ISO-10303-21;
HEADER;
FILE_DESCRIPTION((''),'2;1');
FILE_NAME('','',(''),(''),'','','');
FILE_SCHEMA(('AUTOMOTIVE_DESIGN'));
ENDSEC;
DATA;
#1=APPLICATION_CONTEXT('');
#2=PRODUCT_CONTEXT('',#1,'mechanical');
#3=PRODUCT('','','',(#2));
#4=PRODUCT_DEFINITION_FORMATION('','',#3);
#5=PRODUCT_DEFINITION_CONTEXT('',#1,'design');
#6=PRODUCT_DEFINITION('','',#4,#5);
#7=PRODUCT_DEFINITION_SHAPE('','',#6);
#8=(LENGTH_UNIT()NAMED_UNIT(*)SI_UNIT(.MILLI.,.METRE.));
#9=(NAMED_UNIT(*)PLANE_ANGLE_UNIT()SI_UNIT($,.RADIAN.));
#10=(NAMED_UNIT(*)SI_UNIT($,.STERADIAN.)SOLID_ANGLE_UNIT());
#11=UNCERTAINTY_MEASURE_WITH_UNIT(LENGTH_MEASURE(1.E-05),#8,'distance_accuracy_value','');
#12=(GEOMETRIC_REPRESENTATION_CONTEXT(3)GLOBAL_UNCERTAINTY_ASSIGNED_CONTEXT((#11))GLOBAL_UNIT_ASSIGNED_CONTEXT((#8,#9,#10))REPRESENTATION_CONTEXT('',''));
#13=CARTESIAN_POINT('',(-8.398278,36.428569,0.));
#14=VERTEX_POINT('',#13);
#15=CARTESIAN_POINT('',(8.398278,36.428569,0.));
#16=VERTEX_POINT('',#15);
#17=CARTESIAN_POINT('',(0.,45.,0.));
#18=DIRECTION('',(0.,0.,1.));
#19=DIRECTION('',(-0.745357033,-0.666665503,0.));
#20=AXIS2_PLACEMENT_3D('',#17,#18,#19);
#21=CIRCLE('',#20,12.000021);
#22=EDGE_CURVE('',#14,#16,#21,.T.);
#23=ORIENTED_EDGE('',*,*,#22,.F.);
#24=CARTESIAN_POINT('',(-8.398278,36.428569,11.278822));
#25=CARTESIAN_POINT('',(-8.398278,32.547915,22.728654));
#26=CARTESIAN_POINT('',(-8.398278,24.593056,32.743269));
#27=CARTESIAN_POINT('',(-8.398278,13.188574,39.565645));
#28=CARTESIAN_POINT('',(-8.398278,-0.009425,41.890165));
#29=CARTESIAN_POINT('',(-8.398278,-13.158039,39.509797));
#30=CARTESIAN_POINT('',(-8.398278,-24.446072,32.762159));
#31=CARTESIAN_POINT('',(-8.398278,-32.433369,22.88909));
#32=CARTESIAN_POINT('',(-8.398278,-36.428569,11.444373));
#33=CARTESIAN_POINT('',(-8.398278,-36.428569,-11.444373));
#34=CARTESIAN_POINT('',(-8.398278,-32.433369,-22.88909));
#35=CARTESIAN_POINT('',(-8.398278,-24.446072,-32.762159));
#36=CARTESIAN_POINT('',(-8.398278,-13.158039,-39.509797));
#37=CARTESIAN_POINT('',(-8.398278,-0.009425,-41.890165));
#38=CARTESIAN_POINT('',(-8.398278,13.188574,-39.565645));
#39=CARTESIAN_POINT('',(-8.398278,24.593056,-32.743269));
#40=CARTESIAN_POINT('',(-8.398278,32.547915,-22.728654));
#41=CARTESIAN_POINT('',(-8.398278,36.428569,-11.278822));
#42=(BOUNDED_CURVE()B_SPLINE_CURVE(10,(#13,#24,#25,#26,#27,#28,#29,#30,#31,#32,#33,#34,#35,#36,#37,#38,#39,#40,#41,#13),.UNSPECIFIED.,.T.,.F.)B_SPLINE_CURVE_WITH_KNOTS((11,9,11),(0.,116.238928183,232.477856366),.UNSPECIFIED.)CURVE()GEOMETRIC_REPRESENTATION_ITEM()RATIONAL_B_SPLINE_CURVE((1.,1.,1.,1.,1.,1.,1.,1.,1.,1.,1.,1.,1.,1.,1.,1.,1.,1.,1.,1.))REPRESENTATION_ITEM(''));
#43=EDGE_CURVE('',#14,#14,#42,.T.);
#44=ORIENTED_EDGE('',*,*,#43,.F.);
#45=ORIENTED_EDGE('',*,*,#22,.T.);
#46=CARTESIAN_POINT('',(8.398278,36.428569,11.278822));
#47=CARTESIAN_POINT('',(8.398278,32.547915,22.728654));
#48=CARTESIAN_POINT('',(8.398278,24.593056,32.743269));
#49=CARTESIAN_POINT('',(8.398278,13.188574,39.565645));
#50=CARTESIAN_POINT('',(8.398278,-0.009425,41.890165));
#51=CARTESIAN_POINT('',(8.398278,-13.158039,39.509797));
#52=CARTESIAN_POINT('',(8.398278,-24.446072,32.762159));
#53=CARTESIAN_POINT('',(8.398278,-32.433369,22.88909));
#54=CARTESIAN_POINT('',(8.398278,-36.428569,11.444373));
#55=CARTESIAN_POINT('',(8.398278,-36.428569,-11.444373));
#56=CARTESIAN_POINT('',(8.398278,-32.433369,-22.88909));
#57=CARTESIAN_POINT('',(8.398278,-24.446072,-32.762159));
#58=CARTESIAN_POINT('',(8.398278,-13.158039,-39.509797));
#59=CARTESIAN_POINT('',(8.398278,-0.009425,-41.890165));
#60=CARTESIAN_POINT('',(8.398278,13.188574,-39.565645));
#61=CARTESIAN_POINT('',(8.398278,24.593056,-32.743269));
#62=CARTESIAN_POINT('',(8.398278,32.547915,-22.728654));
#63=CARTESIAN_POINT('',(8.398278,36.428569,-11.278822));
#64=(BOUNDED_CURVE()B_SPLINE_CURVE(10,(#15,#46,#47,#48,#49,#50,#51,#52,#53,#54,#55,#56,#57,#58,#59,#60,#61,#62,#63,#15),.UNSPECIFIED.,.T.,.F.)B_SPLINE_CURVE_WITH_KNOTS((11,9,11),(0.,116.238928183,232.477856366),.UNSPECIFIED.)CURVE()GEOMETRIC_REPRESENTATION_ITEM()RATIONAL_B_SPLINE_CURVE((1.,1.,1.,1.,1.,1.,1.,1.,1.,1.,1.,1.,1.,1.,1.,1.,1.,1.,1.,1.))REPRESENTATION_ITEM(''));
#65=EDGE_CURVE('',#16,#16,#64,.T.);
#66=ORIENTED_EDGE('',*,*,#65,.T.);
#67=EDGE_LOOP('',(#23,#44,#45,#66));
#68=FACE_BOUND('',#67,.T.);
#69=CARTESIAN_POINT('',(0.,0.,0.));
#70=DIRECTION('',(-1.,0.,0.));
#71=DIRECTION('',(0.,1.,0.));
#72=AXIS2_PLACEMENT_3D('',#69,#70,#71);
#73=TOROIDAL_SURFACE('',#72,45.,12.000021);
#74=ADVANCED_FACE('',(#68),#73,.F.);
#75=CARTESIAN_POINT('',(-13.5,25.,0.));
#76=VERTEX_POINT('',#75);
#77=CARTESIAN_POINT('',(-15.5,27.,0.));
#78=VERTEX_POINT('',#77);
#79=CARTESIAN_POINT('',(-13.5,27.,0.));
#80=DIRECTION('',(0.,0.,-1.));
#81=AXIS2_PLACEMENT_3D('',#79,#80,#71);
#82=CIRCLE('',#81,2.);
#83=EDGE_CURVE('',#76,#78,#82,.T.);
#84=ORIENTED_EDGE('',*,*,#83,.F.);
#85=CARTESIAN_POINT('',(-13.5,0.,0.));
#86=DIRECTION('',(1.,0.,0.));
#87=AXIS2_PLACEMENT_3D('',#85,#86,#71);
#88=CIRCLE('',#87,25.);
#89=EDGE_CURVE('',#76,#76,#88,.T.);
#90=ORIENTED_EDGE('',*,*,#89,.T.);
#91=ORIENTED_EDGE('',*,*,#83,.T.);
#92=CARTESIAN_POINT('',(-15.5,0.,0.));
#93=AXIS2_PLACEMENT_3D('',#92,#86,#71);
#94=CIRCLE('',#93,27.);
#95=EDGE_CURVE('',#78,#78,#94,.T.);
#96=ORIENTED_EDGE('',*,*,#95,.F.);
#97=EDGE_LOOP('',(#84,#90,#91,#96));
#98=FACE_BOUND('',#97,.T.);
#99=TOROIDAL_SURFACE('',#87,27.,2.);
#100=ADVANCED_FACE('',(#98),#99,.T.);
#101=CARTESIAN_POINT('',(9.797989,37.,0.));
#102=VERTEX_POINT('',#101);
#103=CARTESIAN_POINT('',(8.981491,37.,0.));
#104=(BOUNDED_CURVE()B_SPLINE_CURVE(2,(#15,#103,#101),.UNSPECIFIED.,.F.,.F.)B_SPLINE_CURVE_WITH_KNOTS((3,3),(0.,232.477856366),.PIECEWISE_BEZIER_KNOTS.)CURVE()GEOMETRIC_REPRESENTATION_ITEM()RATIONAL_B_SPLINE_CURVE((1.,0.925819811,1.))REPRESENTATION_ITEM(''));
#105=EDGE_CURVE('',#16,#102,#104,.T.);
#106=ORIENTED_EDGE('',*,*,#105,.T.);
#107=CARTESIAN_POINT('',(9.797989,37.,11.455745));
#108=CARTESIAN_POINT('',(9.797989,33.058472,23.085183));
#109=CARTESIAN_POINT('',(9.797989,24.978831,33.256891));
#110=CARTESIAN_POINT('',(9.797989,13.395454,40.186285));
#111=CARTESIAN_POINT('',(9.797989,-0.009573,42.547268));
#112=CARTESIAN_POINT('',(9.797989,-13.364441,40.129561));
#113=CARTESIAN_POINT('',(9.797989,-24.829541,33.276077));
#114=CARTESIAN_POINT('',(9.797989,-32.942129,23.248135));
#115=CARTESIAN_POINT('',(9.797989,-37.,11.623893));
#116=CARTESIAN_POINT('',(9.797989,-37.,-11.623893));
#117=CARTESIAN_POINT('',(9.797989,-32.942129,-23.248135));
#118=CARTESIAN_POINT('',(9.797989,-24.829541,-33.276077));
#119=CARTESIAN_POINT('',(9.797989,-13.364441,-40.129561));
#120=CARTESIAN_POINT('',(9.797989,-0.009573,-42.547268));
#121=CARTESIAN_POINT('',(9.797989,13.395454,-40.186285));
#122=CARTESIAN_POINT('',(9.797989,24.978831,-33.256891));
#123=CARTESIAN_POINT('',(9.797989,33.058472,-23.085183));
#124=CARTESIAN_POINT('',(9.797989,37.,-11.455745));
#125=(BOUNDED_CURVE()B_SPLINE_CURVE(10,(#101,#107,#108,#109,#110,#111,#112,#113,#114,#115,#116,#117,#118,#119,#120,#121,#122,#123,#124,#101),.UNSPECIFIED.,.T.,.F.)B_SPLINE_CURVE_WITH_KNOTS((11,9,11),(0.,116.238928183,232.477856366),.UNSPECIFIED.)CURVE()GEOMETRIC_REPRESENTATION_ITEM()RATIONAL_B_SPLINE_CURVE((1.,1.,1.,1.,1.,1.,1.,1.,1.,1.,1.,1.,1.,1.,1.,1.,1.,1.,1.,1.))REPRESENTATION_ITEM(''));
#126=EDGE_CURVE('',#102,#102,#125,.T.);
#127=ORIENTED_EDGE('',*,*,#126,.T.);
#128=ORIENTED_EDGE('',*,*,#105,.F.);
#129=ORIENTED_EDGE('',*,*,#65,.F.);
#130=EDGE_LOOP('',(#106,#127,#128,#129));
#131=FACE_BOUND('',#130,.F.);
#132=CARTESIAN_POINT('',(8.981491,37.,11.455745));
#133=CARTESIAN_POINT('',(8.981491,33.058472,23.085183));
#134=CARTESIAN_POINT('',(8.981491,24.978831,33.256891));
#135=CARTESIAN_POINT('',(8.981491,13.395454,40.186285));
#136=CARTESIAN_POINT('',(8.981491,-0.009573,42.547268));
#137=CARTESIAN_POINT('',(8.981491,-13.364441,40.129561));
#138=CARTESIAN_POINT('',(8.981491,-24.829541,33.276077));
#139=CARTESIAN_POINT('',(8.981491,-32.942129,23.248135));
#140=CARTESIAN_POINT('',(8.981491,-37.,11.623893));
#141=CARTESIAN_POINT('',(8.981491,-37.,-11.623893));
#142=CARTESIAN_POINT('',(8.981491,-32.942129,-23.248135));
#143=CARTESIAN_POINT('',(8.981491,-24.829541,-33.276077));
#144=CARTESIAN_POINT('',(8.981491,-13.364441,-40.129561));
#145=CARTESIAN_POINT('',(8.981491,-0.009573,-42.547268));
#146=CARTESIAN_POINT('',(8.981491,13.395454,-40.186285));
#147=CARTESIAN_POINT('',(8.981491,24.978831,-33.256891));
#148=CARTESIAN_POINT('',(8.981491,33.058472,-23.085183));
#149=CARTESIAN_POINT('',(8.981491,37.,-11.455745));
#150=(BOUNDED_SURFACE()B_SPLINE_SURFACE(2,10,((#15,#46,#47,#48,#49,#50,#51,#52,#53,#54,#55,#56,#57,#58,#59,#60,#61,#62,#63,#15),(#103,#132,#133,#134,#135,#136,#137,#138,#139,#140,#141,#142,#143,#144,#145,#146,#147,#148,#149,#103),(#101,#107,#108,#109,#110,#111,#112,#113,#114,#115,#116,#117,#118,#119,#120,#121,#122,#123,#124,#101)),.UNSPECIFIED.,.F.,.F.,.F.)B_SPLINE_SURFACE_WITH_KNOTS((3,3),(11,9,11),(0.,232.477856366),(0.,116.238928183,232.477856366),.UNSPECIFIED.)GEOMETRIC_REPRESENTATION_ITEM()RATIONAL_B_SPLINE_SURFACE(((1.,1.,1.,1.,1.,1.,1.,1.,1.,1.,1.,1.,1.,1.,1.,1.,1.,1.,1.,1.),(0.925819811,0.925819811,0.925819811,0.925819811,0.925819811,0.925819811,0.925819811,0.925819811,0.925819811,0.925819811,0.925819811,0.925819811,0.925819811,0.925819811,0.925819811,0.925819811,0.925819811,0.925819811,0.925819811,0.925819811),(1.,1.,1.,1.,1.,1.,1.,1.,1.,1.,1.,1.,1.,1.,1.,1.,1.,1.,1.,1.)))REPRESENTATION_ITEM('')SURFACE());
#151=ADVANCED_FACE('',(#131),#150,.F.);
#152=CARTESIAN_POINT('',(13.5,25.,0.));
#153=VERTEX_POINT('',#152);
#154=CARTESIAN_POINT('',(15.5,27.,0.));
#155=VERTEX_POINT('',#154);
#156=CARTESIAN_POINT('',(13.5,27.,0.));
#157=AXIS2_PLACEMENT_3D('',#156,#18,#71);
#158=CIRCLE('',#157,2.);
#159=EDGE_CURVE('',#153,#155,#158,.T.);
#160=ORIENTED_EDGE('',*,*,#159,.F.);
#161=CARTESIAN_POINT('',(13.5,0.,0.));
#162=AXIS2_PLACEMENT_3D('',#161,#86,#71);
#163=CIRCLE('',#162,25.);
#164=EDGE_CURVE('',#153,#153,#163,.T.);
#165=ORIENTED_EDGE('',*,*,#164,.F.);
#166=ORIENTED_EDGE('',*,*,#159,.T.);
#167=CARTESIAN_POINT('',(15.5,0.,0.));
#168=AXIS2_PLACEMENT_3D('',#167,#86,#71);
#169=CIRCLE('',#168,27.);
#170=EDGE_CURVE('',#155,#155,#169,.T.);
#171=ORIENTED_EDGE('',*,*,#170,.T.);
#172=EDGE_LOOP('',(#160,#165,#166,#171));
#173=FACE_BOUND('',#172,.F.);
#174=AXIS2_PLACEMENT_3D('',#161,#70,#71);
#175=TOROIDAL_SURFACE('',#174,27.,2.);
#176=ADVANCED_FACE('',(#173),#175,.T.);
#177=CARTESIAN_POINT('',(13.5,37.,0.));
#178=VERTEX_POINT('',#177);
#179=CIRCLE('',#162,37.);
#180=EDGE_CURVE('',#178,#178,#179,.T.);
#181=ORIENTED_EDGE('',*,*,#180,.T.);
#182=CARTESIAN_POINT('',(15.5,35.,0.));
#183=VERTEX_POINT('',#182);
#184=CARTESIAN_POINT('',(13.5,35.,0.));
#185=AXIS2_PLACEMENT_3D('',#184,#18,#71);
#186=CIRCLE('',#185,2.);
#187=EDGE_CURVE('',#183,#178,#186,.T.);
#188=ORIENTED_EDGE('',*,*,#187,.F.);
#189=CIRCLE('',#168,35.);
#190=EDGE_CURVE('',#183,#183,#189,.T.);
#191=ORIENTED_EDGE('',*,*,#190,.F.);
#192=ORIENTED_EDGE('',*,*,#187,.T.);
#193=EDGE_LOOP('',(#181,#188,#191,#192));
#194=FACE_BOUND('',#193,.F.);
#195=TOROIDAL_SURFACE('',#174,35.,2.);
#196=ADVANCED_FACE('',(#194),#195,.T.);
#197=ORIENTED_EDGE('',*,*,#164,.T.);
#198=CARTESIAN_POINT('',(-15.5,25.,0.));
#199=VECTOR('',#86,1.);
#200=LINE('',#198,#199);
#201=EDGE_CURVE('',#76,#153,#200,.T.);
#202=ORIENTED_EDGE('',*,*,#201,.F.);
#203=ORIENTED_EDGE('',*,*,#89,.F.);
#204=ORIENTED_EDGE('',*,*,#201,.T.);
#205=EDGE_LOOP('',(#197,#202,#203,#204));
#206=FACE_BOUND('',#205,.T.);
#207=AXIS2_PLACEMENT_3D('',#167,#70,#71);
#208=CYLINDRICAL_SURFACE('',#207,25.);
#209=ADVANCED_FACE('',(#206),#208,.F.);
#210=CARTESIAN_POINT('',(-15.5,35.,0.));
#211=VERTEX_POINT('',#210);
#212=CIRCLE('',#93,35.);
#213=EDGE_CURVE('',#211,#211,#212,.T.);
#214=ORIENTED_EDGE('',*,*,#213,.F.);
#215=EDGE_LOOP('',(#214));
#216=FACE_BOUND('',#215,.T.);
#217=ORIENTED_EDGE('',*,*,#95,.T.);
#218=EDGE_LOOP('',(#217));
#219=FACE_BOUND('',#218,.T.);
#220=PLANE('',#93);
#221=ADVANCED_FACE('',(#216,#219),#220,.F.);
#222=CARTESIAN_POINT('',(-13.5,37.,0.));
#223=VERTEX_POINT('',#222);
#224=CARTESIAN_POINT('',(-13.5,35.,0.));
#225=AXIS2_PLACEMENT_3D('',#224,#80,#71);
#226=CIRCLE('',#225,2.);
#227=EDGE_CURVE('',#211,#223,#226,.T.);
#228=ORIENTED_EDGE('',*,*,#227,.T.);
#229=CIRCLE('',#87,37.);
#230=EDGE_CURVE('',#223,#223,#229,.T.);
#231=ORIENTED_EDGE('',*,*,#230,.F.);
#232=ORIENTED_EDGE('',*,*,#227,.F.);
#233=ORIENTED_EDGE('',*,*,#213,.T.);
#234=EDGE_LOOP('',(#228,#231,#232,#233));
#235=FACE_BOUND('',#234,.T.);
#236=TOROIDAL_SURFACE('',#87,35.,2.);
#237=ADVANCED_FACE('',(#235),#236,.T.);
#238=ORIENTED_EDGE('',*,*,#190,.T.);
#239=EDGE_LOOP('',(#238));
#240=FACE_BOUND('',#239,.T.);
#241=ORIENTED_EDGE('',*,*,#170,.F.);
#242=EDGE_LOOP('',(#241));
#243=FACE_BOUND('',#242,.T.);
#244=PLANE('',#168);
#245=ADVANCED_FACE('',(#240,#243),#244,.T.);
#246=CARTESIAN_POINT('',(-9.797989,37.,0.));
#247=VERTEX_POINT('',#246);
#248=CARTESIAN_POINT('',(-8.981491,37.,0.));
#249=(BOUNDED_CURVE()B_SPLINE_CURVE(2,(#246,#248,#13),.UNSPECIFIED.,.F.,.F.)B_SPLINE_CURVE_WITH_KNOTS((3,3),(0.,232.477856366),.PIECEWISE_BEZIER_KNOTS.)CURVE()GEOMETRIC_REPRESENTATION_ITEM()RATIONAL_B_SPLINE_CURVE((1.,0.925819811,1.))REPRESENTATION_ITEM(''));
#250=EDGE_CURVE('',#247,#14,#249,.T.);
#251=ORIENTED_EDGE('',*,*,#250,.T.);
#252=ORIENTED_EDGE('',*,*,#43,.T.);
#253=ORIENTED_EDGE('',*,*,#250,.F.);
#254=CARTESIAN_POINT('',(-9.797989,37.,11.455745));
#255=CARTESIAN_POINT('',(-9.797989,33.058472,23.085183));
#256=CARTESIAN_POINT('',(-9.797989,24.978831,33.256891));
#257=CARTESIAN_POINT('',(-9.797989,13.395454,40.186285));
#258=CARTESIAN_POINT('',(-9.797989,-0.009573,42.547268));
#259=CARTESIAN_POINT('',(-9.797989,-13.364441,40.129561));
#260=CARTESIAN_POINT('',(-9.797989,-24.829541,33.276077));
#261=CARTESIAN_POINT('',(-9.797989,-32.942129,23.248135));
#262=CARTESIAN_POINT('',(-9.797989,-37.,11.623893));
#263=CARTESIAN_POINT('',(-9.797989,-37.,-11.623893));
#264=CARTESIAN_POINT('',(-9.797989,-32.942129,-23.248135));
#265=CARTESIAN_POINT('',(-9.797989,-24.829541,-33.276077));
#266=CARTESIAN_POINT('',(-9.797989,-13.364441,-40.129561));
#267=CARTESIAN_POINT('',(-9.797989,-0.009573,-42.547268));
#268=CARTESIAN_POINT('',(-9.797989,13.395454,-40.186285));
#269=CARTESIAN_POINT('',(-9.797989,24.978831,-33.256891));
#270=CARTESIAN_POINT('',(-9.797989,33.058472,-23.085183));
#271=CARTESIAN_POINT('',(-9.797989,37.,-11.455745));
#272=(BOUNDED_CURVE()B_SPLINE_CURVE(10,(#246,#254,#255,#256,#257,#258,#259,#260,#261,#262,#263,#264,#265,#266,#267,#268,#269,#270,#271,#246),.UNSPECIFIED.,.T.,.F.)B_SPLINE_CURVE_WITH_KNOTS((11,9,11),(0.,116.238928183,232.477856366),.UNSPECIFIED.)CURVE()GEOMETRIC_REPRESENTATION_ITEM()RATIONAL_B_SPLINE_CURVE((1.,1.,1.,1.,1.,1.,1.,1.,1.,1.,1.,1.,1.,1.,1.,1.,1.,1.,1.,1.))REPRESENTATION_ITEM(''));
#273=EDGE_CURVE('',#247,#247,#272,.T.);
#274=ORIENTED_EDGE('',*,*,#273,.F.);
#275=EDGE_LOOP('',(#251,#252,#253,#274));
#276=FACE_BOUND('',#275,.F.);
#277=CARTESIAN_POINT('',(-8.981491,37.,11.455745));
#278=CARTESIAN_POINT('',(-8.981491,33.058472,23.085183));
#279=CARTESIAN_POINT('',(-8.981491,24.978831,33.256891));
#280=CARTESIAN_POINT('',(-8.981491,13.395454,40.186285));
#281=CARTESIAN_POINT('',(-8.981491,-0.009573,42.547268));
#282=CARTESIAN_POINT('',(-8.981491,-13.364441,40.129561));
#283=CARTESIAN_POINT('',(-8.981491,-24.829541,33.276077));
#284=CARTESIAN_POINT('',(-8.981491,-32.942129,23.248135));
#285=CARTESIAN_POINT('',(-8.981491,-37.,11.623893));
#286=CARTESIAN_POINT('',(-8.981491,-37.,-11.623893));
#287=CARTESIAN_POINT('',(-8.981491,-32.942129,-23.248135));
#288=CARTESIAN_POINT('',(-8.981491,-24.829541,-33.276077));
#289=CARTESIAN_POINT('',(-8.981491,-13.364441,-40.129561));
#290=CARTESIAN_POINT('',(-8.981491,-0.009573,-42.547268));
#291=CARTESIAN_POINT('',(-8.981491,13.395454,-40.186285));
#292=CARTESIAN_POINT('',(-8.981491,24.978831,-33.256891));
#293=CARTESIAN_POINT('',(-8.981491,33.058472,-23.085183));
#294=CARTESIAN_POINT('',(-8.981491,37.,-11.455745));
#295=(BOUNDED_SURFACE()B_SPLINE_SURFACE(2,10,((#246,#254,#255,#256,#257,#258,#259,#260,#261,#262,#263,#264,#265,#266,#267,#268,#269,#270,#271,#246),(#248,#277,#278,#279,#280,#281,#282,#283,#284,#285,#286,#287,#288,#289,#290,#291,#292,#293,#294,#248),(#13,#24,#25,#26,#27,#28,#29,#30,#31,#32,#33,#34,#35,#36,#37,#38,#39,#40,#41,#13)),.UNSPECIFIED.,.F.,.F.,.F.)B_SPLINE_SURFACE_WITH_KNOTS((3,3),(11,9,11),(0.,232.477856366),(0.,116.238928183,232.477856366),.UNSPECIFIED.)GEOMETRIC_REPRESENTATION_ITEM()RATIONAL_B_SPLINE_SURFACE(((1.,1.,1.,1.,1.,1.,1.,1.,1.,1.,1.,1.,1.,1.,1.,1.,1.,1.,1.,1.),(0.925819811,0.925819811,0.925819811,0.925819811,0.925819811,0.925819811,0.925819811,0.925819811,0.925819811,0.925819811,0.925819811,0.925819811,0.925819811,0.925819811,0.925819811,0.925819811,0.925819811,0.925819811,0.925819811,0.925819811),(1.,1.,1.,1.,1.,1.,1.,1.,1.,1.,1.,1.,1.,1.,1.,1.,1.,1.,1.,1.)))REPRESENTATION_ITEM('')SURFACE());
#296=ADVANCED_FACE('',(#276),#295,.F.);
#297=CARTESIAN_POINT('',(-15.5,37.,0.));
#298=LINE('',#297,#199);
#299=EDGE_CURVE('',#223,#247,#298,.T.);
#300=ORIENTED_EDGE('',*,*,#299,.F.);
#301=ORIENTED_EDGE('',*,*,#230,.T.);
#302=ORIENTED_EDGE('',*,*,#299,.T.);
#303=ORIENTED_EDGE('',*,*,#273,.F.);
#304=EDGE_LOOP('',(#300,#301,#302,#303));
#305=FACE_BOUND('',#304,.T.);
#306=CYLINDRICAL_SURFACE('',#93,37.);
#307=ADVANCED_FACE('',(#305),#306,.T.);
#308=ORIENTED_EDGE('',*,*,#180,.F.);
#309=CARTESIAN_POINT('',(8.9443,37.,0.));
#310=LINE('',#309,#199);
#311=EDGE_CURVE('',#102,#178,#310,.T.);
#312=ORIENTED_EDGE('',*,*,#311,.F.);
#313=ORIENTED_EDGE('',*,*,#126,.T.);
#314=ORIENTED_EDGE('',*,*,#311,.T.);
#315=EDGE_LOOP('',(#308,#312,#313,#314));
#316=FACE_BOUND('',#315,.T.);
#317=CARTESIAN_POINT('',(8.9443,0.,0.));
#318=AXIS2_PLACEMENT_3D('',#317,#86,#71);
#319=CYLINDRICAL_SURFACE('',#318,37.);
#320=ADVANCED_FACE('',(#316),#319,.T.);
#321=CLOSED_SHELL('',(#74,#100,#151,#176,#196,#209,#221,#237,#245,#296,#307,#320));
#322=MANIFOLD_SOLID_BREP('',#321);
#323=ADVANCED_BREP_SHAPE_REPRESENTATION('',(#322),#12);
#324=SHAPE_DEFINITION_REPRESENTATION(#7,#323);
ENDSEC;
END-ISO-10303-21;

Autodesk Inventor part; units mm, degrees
ref_plane "YZ Plane" through (0, 0, 0) normal (1, 0, 0) x (0, 1, 0)
ref_plane "XZ Plane" through (0, 0, 0) normal (0, 1, 0) x (-1, 0, 0)
ref_plane "XY Plane" through (0, 0, 0) normal (0, 0, 1) x (1, 0, 0)
sketch "Sketch1" plane through (0, 0, 0) normal (0, 0, 1) x (1, 0, 0)
  line L0 (0, -9) -> (0, 54) projected
  line L1 (-21.7, 0) -> (21.7, 0) projected
  line L2 (-15.5, 37) -> (15.5, 37) construction
  line L3 (15.5, 37) -> (15.5, 25)
  line L4 (15.5, 25) -> (-15.5, 25)
  line L5 (-15.5, 25) -> (-15.5, 37)
  arc A0 (-8.9443, 37) -> (8.9443, 37) centre (0, 45) ccw
  line L6 (-15.5, 37) -> (-8.9443, 37)
  line L7 (8.9443, 37) -> (15.5, 37)
  point P0 (0, 0)
  point P1 (0, 37)
  dimension "d0" = 31
  dimension "d1" = 37
  dimension "d2" = 25
  dimension "d3" = 12
  dimension "d4" = 8
revolve "Revolution1" add sketch "Sketch1" angle 360 about axis through (-10, 0, 0) along (1, 0, 0)
fillet "Fillet1" radius 2 6 edges at (15.5, -37, 0) (8.9443, -37, 0) (-8.9443, -37, 0) (-15.5, -37, 0) (15.5, -25, 0) (-15.5, -25, 0)
properties part number "InelInterior"
